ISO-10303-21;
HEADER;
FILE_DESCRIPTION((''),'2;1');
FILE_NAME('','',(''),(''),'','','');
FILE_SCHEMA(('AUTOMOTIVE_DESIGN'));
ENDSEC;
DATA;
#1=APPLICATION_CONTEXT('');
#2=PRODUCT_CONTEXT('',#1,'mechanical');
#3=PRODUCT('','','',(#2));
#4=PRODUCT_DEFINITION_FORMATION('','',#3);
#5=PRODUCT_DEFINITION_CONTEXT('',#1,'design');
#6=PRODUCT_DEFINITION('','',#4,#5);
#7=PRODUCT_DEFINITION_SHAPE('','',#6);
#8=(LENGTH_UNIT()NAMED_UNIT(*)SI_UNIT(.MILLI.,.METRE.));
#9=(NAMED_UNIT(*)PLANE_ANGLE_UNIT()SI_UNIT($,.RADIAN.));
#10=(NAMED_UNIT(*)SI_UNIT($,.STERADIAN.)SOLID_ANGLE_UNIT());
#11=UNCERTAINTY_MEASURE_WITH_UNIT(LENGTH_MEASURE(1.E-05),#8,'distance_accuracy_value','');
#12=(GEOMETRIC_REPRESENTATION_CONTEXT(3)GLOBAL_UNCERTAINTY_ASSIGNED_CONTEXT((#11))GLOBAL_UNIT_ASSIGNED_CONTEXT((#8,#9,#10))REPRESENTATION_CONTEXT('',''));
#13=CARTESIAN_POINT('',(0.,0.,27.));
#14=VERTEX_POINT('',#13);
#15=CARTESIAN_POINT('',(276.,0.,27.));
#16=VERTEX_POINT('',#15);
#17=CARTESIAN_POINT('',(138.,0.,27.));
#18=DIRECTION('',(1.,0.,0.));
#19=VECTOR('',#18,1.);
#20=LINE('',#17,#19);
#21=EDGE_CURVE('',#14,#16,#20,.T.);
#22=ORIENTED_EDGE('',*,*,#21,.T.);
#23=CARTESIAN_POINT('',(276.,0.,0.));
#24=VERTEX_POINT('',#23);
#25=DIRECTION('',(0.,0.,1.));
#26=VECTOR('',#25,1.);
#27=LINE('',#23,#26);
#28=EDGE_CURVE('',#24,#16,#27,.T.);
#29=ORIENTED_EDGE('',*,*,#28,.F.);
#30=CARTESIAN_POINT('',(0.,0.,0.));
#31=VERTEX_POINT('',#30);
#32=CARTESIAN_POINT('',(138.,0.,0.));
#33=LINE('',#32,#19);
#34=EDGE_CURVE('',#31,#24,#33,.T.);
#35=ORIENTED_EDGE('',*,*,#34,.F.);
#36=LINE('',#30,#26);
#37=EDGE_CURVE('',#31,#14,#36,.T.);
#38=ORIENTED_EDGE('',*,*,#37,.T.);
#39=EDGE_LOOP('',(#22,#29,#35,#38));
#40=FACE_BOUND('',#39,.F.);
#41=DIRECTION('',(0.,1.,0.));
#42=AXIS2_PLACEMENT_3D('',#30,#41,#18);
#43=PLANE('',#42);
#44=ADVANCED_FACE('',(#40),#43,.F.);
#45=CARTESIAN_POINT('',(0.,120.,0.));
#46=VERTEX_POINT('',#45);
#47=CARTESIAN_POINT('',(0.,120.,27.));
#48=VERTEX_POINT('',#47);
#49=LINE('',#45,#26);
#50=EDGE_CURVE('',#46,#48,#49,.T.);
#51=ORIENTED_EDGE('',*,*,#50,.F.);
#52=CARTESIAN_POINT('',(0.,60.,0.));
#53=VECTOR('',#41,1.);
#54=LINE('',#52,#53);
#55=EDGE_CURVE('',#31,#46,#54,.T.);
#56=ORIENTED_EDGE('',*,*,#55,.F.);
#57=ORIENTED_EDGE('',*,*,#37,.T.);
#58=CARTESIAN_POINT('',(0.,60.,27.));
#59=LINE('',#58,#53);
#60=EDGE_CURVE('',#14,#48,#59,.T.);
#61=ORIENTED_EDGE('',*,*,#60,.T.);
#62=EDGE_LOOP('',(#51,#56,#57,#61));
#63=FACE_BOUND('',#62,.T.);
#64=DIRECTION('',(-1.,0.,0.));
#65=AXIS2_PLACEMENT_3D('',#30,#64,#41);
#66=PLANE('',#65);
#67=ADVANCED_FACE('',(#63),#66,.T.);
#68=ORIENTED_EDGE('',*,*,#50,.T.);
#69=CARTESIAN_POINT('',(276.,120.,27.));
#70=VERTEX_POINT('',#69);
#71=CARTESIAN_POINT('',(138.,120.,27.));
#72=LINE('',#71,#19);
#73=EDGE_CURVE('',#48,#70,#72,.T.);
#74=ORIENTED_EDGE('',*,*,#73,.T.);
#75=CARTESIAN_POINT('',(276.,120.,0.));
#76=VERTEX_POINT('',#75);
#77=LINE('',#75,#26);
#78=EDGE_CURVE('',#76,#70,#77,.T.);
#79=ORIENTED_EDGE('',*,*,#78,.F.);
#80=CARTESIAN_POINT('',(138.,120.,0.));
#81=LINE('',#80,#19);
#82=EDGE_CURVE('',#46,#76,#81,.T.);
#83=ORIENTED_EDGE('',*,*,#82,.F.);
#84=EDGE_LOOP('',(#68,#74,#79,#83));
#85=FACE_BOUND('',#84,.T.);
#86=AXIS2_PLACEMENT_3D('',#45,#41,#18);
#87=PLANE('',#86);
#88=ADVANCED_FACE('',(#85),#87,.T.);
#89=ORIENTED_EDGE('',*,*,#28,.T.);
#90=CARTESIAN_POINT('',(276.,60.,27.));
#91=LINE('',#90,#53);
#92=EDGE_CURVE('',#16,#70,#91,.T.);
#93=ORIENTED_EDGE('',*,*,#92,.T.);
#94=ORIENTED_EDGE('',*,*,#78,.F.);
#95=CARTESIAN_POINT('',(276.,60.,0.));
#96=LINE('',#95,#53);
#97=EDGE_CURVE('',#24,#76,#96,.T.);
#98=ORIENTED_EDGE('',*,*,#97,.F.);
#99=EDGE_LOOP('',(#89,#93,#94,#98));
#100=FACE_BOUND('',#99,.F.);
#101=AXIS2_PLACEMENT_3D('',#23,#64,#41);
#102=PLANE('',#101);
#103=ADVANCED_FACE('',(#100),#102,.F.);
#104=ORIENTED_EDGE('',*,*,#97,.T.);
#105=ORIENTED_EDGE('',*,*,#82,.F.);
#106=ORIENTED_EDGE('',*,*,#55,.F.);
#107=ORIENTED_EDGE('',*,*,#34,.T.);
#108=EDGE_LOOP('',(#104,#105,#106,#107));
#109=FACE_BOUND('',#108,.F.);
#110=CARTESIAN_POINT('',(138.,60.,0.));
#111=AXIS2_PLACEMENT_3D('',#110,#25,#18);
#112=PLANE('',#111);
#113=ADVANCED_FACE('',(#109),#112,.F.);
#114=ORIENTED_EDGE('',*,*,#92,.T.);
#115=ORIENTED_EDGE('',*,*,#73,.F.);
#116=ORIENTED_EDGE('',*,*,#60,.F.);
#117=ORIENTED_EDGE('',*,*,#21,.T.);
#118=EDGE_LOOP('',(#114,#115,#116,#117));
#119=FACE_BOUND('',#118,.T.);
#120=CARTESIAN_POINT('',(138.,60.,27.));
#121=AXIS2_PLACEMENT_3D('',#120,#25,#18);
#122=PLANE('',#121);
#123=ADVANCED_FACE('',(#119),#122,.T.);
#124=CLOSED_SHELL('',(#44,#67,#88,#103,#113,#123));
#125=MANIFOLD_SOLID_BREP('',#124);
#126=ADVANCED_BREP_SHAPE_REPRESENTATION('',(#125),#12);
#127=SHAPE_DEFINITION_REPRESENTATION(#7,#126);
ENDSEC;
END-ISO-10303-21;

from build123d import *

# Parameters (mm, degrees)
SKETCH_W  = 276
SKETCH_H  = 120
PAD_DEPTH = 27


with BuildPart() as part:
    # Sketch → Pad (new body)
    with BuildSketch(Plane.XY):
        with Locations((138, 60)):
            Rectangle(SKETCH_W, SKETCH_H)
    extrude(amount=PAD_DEPTH)


solid = part.part
